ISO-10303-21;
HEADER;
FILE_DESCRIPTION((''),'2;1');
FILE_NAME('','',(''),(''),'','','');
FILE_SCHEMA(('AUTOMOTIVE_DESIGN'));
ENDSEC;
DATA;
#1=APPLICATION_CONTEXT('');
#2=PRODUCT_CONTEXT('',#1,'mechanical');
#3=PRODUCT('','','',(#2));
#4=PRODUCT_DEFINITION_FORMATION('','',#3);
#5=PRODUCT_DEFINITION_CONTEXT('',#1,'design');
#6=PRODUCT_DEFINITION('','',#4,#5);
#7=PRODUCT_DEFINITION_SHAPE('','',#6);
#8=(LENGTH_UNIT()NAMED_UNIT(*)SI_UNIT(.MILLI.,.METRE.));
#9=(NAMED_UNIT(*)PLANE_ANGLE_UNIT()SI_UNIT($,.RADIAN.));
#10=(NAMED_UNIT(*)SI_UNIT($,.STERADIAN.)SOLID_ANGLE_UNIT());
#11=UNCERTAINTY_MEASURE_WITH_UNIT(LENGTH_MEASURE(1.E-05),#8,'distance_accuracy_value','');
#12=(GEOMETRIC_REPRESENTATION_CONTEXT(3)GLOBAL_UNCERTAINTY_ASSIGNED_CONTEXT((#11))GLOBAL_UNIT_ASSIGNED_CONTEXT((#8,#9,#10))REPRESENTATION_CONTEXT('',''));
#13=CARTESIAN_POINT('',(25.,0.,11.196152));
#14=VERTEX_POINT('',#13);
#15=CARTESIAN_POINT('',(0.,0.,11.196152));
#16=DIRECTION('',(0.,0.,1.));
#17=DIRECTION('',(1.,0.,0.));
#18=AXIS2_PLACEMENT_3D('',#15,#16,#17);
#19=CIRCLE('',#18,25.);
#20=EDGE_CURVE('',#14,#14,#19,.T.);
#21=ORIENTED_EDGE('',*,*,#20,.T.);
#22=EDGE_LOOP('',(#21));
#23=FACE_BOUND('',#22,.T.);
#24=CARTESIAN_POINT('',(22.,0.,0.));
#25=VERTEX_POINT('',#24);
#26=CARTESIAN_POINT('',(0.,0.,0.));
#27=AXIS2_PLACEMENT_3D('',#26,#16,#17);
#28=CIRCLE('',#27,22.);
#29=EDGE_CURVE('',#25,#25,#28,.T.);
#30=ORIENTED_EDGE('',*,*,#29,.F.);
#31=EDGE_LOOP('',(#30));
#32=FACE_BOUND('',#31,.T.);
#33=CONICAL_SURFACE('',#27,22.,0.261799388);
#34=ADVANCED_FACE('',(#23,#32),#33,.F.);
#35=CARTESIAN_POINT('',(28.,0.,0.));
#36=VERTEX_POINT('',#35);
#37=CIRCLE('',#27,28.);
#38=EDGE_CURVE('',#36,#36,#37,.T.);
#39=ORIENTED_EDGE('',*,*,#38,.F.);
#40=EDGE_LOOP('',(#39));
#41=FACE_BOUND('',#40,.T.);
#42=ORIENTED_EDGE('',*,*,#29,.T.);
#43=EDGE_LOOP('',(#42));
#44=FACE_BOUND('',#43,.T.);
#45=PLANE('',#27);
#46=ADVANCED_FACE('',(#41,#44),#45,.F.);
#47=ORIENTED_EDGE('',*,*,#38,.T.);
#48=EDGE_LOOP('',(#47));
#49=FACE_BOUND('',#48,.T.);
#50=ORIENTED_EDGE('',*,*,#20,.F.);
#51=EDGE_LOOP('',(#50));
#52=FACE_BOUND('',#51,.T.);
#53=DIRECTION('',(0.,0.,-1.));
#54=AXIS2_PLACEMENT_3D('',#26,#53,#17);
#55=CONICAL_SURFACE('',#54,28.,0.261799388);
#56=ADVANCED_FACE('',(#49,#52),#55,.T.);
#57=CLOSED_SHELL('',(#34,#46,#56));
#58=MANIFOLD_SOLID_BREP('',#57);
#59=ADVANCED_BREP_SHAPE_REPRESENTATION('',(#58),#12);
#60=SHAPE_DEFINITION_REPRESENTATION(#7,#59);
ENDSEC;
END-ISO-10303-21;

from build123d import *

# Parameters (mm, degrees)
ESQUISSE1_R        = 28
ESQUISSE1_R_2      = 22
BOSS_EXTRU_1_DEPTH = 70
BOSS_EXTRU_1_TAPER = 15


with BuildPart() as part:
    # Esquisse1 → Boss.-Extru.1 (new body)
    with BuildSketch(Plane.XY):
        Circle(ESQUISSE1_R)
        Circle(ESQUISSE1_R_2, mode=Mode.SUBTRACT)
    extrude(amount=BOSS_EXTRU_1_DEPTH, taper=BOSS_EXTRU_1_TAPER)


solid = part.part
